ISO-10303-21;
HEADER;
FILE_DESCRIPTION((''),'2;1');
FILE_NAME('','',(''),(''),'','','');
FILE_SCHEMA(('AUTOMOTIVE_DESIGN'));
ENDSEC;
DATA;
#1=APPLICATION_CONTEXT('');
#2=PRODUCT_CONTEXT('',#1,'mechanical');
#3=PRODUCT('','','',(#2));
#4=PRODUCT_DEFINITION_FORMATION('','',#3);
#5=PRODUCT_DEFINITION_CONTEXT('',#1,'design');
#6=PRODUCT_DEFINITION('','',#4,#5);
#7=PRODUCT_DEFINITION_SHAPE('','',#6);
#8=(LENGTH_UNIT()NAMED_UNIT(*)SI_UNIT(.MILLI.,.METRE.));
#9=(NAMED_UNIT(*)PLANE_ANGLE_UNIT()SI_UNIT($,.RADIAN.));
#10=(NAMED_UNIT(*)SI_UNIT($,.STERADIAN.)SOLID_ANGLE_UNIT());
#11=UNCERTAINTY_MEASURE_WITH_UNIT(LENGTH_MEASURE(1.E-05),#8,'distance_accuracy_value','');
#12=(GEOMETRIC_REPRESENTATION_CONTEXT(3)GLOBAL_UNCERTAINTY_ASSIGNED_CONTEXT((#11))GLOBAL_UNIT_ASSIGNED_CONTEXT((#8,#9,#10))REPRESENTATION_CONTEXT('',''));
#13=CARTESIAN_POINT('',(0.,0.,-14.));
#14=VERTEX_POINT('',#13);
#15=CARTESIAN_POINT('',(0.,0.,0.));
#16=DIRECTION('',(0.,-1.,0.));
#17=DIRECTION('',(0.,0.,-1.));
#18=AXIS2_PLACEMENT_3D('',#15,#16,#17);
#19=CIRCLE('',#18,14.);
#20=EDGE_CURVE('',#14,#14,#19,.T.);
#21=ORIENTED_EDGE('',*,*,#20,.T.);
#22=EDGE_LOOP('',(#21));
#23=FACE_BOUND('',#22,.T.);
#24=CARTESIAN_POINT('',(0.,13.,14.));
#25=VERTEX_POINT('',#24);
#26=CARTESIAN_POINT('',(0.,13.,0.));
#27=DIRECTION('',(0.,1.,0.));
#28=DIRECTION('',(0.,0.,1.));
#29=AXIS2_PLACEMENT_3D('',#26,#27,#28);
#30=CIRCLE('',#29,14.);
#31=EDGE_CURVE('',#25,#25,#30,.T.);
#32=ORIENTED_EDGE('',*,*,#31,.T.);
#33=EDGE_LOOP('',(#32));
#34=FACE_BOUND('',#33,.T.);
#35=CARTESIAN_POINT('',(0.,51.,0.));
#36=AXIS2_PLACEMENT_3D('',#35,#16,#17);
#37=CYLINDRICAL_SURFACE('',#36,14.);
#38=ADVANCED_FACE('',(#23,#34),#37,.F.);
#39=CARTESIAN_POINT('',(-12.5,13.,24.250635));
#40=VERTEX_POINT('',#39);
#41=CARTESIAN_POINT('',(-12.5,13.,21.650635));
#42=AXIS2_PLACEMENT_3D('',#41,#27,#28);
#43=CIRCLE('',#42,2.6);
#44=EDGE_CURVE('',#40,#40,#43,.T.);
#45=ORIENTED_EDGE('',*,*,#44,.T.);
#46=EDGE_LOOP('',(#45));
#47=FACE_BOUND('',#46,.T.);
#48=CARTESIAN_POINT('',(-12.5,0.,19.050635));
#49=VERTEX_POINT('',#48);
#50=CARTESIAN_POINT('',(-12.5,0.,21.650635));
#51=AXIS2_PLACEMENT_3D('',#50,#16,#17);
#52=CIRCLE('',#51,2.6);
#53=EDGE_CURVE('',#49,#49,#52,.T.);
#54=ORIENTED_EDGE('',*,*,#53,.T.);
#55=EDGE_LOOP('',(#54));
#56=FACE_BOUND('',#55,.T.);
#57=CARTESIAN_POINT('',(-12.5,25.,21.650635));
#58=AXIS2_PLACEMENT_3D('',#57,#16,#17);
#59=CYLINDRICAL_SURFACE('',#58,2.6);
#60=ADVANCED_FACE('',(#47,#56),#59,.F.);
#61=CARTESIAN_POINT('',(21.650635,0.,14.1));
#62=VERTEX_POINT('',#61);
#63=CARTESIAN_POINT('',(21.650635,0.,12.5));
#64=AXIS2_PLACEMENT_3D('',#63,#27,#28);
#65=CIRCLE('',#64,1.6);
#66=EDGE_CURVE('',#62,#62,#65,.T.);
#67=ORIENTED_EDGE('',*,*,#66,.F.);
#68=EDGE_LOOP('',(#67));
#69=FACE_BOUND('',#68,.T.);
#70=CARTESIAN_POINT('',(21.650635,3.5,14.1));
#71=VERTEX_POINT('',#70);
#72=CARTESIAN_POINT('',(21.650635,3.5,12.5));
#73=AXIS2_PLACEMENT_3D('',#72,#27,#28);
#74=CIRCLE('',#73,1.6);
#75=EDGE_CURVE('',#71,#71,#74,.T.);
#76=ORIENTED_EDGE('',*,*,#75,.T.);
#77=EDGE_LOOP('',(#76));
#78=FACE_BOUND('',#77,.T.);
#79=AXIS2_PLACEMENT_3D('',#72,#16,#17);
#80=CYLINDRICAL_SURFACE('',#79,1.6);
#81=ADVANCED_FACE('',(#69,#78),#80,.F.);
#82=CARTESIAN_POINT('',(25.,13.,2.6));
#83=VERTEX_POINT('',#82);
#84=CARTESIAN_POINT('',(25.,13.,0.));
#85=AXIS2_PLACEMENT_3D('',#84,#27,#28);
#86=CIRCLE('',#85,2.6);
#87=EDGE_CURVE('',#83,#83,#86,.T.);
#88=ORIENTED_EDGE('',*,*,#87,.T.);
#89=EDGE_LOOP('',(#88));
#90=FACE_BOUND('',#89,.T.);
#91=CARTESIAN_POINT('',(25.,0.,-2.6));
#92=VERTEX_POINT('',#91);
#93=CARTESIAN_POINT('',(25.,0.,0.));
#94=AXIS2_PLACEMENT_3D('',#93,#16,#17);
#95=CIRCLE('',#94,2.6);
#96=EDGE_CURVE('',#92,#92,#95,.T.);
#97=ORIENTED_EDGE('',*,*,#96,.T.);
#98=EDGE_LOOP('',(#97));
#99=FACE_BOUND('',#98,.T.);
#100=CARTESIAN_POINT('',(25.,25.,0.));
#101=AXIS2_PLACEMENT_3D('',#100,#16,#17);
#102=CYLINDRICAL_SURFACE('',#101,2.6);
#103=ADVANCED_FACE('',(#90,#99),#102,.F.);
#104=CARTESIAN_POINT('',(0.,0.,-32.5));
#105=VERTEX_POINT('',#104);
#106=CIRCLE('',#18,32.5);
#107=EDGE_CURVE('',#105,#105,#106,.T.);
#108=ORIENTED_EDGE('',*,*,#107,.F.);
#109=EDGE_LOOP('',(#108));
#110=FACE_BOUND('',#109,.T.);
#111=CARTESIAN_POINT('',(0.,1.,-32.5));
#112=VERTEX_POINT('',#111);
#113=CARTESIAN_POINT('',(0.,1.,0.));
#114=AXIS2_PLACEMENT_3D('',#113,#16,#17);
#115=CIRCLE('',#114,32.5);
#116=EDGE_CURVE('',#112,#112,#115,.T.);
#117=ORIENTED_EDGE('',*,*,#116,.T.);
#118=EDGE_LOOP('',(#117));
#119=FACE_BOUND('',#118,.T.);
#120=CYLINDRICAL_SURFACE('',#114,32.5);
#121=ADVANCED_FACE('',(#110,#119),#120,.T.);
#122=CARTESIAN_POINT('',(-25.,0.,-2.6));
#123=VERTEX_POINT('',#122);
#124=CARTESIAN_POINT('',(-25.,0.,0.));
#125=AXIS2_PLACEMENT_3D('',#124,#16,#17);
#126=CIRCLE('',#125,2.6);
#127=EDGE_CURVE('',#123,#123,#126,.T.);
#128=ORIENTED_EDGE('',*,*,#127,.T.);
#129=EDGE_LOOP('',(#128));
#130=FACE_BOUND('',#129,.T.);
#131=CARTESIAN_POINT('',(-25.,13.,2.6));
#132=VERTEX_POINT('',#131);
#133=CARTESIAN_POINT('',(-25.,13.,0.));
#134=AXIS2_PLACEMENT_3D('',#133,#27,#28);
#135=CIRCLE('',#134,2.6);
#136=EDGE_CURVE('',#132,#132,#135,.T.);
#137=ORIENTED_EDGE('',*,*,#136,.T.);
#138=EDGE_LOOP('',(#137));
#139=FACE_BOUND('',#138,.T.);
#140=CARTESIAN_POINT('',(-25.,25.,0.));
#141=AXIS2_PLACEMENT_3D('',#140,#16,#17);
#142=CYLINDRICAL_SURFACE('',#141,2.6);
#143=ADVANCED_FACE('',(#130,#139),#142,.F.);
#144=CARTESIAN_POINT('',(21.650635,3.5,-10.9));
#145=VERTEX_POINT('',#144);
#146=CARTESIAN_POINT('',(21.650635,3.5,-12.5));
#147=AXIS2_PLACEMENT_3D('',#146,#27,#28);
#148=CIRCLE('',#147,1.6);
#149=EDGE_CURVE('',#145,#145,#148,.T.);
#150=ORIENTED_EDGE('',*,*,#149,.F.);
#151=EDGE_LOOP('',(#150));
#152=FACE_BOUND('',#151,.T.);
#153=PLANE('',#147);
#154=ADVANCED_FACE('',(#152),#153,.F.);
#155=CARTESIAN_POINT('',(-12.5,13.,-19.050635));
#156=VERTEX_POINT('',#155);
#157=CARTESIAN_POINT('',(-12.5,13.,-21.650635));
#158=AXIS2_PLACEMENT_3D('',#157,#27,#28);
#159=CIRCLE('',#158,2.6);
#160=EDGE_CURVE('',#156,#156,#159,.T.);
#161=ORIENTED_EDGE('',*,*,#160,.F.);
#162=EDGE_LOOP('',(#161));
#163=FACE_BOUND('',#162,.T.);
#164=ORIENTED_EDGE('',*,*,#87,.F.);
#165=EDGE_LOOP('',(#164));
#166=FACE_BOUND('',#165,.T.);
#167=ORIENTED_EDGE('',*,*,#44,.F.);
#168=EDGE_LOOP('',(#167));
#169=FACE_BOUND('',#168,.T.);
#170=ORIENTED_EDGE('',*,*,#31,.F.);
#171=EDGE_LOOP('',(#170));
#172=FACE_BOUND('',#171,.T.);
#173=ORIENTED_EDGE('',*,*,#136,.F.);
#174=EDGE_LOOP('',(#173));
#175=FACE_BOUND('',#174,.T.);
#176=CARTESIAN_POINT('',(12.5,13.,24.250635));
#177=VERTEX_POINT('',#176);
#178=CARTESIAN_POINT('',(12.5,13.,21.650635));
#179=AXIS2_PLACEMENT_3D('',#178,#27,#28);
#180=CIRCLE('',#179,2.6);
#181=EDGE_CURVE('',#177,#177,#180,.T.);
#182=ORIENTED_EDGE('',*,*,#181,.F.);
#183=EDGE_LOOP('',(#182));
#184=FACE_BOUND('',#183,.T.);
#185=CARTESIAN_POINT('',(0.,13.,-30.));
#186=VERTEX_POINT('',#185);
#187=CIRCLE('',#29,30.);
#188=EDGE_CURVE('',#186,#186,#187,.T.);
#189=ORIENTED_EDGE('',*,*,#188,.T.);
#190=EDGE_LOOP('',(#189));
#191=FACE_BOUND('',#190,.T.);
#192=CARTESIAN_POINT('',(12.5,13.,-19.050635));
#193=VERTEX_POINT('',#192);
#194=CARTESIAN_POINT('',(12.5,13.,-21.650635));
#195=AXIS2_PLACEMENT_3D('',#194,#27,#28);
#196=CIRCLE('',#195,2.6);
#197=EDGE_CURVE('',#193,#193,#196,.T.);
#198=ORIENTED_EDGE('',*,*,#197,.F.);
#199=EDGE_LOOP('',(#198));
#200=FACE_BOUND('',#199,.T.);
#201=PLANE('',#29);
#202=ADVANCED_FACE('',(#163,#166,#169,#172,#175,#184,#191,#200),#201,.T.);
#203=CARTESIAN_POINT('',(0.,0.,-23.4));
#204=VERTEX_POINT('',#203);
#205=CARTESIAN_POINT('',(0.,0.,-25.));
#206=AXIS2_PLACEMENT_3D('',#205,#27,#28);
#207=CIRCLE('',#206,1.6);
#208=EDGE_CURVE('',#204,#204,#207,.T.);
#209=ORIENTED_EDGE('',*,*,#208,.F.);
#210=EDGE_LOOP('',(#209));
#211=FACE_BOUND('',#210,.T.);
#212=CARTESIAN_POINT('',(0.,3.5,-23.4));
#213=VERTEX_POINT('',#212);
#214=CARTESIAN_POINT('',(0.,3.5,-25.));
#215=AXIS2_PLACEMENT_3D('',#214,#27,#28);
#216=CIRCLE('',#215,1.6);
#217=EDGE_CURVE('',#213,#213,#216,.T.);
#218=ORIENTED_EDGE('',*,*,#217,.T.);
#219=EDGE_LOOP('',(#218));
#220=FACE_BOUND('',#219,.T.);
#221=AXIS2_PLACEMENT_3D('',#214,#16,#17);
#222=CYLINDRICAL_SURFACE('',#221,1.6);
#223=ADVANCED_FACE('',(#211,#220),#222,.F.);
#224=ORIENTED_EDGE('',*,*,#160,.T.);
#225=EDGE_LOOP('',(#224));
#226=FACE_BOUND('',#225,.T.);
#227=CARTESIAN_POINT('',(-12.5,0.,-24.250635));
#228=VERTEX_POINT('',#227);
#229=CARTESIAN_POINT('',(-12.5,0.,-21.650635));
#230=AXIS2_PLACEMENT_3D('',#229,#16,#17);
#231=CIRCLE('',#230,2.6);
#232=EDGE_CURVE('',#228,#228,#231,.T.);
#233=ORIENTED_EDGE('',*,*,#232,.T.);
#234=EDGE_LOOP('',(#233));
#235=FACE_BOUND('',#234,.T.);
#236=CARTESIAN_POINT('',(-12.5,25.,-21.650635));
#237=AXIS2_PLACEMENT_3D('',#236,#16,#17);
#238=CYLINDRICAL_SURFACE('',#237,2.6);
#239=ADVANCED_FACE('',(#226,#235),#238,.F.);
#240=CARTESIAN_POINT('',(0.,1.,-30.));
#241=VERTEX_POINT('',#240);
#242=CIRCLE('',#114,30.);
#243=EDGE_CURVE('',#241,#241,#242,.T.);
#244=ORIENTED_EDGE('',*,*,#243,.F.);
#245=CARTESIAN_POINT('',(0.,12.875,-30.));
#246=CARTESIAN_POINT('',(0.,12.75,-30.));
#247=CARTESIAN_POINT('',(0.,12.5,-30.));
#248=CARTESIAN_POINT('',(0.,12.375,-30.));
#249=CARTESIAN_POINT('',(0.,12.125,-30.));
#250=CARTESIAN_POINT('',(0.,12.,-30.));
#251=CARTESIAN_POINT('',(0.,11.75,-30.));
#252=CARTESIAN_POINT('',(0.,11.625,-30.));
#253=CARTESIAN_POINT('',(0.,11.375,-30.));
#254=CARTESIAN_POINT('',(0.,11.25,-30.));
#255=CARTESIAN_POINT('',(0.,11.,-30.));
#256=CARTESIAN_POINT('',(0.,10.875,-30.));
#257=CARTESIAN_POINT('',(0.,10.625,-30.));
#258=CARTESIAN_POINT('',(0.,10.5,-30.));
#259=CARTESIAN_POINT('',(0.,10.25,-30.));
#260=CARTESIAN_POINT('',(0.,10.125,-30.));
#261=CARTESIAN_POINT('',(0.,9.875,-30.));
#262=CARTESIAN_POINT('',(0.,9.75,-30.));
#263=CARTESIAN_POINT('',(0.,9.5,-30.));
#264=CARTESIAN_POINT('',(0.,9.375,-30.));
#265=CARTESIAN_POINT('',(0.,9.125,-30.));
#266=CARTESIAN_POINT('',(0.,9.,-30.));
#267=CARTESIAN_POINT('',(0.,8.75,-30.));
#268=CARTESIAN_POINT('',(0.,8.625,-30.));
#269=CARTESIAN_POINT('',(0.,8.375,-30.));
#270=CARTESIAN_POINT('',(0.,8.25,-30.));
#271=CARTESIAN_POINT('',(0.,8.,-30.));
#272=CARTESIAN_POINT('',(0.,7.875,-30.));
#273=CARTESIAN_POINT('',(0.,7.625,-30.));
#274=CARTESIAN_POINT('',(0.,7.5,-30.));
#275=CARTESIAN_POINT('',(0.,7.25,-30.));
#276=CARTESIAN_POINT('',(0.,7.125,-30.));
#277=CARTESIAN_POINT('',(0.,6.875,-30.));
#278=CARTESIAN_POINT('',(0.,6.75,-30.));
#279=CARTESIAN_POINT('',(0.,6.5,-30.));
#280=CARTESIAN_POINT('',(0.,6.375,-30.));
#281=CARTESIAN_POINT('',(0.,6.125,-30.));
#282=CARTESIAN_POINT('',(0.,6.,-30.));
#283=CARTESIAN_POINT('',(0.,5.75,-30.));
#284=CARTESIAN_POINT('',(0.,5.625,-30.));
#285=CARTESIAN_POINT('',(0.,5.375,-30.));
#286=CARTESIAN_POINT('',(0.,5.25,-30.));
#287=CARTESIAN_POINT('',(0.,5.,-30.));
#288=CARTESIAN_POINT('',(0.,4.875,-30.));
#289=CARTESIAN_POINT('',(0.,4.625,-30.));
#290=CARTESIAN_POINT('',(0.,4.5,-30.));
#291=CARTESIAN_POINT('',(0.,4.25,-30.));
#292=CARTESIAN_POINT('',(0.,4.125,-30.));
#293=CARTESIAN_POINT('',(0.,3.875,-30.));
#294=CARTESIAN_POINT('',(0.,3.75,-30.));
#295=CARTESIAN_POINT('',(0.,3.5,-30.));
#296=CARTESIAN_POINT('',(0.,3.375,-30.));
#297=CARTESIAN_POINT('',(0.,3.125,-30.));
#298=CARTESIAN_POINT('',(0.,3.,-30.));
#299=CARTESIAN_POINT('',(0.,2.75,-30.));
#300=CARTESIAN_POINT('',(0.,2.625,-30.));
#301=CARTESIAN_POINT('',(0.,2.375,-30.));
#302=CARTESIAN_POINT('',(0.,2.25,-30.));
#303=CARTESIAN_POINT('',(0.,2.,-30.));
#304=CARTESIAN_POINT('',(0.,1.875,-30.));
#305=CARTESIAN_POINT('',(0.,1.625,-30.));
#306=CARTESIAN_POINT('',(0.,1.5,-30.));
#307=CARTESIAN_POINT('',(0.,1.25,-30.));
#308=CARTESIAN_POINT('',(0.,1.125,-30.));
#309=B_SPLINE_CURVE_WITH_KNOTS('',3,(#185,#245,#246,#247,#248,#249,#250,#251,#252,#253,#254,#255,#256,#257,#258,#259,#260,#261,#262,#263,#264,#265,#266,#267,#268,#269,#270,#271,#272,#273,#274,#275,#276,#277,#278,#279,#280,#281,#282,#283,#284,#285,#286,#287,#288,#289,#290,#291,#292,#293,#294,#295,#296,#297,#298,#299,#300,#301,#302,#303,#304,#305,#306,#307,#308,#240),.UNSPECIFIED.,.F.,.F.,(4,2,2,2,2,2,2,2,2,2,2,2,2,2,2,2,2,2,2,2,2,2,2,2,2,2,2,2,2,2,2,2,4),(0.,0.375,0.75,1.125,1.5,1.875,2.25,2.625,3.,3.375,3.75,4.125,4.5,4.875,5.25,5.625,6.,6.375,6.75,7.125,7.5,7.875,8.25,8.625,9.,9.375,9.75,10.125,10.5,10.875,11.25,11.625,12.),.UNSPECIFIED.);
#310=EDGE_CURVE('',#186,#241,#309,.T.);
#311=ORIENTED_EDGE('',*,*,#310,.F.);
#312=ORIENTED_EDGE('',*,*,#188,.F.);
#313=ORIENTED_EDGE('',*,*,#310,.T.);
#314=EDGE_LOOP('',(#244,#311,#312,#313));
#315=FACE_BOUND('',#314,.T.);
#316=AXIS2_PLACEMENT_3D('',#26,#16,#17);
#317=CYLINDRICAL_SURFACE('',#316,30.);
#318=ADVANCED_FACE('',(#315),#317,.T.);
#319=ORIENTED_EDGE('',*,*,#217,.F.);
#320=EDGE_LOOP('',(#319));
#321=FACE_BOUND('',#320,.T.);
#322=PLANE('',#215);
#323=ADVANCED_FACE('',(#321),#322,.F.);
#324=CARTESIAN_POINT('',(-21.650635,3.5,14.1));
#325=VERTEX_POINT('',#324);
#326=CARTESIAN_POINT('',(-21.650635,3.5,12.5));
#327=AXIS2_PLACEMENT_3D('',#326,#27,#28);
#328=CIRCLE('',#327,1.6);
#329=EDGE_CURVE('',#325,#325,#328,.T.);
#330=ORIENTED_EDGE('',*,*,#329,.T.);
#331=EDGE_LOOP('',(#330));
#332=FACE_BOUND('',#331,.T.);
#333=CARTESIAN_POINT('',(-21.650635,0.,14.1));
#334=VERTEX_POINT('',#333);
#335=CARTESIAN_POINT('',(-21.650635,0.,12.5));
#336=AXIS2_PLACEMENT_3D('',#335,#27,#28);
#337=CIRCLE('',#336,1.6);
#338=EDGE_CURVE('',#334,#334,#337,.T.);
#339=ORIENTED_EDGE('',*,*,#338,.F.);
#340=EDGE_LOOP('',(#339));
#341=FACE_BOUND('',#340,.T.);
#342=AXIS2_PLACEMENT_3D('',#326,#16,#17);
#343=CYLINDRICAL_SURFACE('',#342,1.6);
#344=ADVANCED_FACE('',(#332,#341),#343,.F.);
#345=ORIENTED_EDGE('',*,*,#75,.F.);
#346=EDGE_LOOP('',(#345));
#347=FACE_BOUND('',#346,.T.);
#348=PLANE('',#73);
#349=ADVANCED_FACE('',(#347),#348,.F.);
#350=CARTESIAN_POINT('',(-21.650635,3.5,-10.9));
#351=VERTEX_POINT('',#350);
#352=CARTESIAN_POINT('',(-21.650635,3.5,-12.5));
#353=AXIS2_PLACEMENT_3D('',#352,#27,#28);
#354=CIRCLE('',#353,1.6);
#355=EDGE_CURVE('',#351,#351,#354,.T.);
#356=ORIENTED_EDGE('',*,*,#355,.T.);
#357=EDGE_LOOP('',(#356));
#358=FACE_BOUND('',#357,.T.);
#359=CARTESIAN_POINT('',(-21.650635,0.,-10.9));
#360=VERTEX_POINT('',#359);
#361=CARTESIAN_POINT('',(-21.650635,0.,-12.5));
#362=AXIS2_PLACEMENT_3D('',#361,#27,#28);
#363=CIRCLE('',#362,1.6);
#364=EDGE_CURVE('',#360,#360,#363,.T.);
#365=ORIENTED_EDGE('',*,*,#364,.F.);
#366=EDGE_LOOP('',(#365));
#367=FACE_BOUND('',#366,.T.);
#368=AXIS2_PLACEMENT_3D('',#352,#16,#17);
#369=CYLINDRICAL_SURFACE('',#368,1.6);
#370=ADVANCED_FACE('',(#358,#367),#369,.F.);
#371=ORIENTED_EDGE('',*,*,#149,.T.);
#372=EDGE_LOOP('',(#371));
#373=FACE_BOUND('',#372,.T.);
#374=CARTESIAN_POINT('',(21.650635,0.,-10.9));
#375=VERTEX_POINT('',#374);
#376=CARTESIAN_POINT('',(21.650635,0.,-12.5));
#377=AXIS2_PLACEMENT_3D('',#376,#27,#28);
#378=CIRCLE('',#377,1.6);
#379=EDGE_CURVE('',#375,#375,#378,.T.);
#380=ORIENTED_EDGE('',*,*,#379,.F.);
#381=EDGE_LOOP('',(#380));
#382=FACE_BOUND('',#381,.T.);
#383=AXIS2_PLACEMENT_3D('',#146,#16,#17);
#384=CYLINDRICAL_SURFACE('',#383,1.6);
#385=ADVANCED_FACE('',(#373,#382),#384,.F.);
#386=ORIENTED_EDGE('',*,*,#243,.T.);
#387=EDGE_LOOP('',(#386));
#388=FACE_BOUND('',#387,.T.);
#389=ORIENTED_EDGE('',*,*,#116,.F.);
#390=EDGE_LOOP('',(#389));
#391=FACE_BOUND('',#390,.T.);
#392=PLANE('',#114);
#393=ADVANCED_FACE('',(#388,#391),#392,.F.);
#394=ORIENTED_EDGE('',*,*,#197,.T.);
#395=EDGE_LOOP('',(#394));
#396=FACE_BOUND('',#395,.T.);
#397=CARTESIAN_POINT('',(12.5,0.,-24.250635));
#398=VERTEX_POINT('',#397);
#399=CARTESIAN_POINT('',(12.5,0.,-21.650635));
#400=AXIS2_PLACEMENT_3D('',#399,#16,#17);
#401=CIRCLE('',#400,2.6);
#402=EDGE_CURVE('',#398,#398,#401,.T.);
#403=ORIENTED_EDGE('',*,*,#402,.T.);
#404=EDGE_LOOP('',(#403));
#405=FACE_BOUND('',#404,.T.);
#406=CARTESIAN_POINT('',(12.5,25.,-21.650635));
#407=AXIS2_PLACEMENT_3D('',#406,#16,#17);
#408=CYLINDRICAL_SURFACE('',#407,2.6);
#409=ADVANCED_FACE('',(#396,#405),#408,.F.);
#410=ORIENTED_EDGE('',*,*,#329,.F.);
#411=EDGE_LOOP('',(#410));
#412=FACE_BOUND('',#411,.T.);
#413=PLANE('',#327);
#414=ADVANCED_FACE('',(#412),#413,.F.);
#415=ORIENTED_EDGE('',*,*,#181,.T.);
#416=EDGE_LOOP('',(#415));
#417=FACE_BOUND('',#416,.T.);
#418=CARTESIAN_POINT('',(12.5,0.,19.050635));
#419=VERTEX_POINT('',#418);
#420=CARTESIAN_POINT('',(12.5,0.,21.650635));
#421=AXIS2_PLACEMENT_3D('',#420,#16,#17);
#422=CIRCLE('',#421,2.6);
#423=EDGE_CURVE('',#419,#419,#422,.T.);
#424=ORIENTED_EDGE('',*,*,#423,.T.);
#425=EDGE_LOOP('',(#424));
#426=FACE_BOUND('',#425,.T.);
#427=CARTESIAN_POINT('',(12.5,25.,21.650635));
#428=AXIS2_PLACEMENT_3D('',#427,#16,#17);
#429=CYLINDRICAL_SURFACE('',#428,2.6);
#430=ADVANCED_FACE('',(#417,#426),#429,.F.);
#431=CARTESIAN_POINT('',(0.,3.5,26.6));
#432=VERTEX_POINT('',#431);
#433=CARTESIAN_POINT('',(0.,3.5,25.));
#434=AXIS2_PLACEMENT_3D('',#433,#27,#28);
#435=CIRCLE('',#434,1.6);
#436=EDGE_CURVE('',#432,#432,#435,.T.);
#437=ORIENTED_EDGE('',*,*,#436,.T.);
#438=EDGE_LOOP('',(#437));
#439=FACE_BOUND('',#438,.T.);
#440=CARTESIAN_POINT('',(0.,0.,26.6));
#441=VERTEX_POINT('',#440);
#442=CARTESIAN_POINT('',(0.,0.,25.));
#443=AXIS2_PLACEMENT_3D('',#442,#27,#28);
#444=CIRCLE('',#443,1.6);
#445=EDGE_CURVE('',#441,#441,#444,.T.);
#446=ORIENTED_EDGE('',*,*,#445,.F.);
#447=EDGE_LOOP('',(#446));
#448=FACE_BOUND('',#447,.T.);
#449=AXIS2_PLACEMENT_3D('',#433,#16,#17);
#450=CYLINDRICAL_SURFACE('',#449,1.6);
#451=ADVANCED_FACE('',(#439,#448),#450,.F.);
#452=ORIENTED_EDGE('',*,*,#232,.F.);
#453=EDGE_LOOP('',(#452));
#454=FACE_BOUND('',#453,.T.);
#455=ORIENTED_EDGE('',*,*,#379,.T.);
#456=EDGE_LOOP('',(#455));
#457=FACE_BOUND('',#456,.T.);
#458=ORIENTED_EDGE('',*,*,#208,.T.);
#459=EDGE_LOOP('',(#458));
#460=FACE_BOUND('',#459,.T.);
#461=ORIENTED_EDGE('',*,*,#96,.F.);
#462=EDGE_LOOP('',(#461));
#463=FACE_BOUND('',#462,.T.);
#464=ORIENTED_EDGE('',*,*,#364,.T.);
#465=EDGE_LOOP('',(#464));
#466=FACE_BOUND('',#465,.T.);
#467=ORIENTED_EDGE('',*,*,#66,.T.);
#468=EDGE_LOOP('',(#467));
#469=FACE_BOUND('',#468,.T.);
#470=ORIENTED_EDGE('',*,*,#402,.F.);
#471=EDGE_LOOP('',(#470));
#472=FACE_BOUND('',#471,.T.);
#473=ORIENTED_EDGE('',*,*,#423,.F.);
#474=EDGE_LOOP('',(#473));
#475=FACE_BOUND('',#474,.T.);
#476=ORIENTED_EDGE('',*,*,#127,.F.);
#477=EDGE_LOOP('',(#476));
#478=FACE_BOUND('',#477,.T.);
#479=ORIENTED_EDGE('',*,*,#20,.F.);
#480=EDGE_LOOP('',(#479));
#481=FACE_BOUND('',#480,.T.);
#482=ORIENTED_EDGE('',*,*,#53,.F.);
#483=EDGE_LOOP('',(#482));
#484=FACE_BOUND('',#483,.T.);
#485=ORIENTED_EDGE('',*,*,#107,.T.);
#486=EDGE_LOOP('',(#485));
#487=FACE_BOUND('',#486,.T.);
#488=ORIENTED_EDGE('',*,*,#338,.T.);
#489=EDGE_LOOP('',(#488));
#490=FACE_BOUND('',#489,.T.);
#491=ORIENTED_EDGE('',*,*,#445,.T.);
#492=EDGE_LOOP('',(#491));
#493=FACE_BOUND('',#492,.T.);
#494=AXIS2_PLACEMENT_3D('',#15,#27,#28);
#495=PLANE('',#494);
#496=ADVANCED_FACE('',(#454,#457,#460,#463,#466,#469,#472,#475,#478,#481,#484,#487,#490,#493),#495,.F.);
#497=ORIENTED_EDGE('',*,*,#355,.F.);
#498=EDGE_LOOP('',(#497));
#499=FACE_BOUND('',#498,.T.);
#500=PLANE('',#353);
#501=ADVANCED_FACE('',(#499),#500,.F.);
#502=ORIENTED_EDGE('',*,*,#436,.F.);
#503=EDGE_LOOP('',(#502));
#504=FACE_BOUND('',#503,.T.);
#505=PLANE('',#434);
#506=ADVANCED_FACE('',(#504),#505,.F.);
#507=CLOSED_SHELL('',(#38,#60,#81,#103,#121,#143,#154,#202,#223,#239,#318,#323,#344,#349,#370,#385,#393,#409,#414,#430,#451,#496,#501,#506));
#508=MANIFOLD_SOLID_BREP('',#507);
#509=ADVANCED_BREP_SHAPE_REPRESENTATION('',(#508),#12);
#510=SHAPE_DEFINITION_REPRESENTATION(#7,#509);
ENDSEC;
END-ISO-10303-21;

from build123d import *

# Parameters (mm, degrees)
SKETCH1_R           = 30
BOSS_EXTRUDE1_DEPTH = 13
SKETCH2_R           = 32.5
BOSS_EXTRUDE2_DEPTH = 1
SKETCH3_R           = 1.6
CUT_EXTRUDE1_DEPTH  = 3.5
SKETCH4_R           = 14
CUT_EXTRUDE2_DEPTH  = 51
SKETCH5_R           = 2.6
CUT_EXTRUDE3_DEPTH  = 25


with BuildPart() as part:
    # Sketch1 → Boss-Extrude1 (new body)
    with BuildSketch(Plane(origin=(0, 0, 0), x_dir=(1, 0, 0), z_dir=(0, 1, 0))):
        with Locations(Location((0, 0, 0), (0, 0, 90))):
            Circle(SKETCH1_R)
    extrude(amount=BOSS_EXTRUDE1_DEPTH)

    # Sketch2 → Boss-Extrude2 (add)
    with BuildSketch(Plane.XZ):
        with Locations(Location((0, 0, 0), (0, 0, 270))):
            Circle(SKETCH2_R)
    extrude(amount=-BOSS_EXTRUDE2_DEPTH)

    # Sketch3 → Cut-Extrude1 (cut)
    with BuildSketch(Plane(origin=(0, 0, 0), x_dir=(1, 0, 0), z_dir=(0, 1, 0))):
        with Locations(Location((0, 25, 0), (0, 0, 270))):
            Circle(SKETCH3_R)
        with Locations(Location((21.650635095, 12.5, 0), (0, 0, 270))):
            Circle(SKETCH3_R)
        with Locations(Location((21.650635095, -12.5, 0), (0, 0, 270))):
            Circle(SKETCH3_R)
        with Locations(Location((0, -25, 0), (0, 0, 270))):
            Circle(SKETCH3_R)
        with Locations(Location((-21.650635095, -12.5, 0), (0, 0, 270))):
            Circle(SKETCH3_R)
        with Locations(Location((-21.650635095, 12.5, 0), (0, 0, 270))):
            Circle(SKETCH3_R)
    extrude(amount=CUT_EXTRUDE1_DEPTH, mode=Mode.SUBTRACT)

    # Sketch4 → Cut-Extrude2 (cut)
    with BuildSketch(Plane.XZ):
        with Locations(Location((0, 0, 0), (0, 0, 270))):
            Circle(SKETCH4_R)
    extrude(amount=-CUT_EXTRUDE2_DEPTH, mode=Mode.SUBTRACT)

    # Sketch5 → Cut-Extrude3 (cut)
    with BuildSketch(Plane.XZ):
        with Locations(Location((-12.5, 21.650635095, 0), (0, 0, 270))):
            Circle(SKETCH5_R)
        with Locations(Location((12.5, 21.650635095, 0), (0, 0, 270))):
            Circle(SKETCH5_R)
        with Locations(Location((25, 0, 0), (0, 0, 270))):
            Circle(SKETCH5_R)
        with Locations(Location((12.5, -21.650635095, 0), (0, 0, 270))):
            Circle(SKETCH5_R)
        with Locations(Location((-12.5, -21.650635095, 0), (0, 0, 270))):
            Circle(SKETCH5_R)
        with Locations(Location((-25, 0, 0), (0, 0, 270))):
            Circle(SKETCH5_R)
    extrude(amount=-CUT_EXTRUDE3_DEPTH, mode=Mode.SUBTRACT)


solid = part.part
